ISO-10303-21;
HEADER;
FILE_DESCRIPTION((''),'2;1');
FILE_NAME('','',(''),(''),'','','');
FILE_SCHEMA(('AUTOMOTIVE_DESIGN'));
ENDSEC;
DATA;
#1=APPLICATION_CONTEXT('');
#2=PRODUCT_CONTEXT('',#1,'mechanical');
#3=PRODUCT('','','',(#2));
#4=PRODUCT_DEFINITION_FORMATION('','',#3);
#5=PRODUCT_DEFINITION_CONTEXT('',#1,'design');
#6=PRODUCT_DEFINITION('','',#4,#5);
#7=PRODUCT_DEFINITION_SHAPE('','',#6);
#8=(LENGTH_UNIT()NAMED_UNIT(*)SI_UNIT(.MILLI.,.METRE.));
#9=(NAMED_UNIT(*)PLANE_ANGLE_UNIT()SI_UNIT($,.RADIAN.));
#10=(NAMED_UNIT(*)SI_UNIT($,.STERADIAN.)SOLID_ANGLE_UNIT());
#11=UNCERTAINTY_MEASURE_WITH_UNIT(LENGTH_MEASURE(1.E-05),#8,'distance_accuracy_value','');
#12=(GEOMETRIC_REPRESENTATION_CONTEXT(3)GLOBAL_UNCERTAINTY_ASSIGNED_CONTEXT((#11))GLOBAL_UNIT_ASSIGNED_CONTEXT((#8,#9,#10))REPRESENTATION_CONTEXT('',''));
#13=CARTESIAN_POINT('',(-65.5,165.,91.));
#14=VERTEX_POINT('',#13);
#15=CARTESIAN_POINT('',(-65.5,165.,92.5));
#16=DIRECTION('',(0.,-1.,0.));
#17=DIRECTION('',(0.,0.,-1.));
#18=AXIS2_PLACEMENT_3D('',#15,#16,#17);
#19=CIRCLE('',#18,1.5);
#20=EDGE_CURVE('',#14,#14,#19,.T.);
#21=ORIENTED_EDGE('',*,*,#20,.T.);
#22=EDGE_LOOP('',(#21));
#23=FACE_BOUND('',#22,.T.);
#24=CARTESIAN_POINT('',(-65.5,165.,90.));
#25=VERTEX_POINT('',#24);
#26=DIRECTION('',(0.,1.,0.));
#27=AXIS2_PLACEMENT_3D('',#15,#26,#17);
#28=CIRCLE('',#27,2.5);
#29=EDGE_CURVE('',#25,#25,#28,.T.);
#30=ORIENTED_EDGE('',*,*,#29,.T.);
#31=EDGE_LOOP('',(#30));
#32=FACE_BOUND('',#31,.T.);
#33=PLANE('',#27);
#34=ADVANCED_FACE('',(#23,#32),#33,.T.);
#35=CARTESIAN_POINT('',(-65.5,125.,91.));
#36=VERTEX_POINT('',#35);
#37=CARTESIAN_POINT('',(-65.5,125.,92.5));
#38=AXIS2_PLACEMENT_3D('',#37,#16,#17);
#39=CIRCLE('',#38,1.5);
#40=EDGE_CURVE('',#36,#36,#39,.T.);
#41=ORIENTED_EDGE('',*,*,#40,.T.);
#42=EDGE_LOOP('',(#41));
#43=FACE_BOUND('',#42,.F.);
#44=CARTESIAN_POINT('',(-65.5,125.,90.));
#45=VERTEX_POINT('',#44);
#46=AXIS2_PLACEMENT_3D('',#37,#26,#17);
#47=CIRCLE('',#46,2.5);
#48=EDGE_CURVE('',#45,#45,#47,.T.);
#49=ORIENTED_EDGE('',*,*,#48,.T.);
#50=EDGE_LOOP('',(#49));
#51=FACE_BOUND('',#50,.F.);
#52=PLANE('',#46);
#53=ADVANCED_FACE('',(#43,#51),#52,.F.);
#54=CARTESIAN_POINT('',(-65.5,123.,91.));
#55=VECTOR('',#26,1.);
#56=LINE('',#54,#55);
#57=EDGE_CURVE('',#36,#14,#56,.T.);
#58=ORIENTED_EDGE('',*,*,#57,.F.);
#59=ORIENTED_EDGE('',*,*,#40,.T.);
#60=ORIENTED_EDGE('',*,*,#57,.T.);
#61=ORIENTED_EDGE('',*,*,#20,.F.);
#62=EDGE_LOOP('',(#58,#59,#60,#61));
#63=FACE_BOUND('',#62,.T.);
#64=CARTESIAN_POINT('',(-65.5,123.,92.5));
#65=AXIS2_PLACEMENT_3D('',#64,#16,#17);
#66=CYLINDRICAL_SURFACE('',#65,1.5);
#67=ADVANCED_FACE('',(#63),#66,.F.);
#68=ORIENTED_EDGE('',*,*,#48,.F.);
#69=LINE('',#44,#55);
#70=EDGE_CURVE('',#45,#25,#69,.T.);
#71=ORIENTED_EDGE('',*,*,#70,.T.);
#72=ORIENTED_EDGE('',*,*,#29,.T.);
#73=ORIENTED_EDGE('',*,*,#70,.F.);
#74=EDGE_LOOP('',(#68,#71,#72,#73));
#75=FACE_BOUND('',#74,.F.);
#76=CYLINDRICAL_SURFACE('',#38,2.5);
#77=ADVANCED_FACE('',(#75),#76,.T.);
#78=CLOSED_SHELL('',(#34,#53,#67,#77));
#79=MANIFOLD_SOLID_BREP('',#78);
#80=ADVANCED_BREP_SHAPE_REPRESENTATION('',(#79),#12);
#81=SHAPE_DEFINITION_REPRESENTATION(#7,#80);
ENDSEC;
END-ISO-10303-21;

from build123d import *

# Parameters (mm, degrees)
CYLINDER005_R           = 1.5
CYLINDER005_DEPTH       = 44
CYLINDER005_PITCH_ANGLE = 90
CYLINDER004_R           = 2.5
CYLINDER004_DEPTH       = 40
CYLINDER004_PITCH_ANGLE = 90
CUT004_PLACEMENT_ANGLE  = 90


with BuildPart() as cilindro005:
    # Cylinder005 → Cylinder005 (new body)
    with BuildSketch(Plane.XY):
        Circle(CYLINDER005_R)
    extrude(amount=CYLINDER005_DEPTH)


with BuildPart() as cilindro005_1:
    # Cylinder005 pitch: moved
    add(cilindro005.part.rotate(Axis((0, 0, 0), (0, 1, 0)), CYLINDER005_PITCH_ANGLE))


with BuildPart() as cilindro005_2:
    # Cylinder005 placement: moved
    add(cilindro005_1.part.moved(Location((-2, 0, 0))))


with BuildPart() as soporte005:
    # Cylinder004 → Cylinder004 (new body)
    with BuildSketch(Plane.XY):
        Circle(CYLINDER004_R)
    extrude(amount=CYLINDER004_DEPTH)


with BuildPart() as soporte005_1:
    # Cylinder004 pitch: moved
    add(soporte005.part.rotate(Axis((0, 0, 0), (0, 1, 0)), CYLINDER004_PITCH_ANGLE))


with BuildPart() as soporte005_2:
    # Cylinder004 placement: moved
    add(soporte005_1.part)

    # Cut004: cut Cilindro005
    add(cilindro005_2.part, mode=Mode.SUBTRACT)


with BuildPart() as soporte005_3:
    # Cut004 placement: moved
    add(soporte005_2.part.moved(Location((-65.5, 125, 92.5))).rotate(Axis((-65.5, 125, 92.5), (0, 0, 1)), CUT004_PLACEMENT_ANGLE))


solid = soporte005_3.part
